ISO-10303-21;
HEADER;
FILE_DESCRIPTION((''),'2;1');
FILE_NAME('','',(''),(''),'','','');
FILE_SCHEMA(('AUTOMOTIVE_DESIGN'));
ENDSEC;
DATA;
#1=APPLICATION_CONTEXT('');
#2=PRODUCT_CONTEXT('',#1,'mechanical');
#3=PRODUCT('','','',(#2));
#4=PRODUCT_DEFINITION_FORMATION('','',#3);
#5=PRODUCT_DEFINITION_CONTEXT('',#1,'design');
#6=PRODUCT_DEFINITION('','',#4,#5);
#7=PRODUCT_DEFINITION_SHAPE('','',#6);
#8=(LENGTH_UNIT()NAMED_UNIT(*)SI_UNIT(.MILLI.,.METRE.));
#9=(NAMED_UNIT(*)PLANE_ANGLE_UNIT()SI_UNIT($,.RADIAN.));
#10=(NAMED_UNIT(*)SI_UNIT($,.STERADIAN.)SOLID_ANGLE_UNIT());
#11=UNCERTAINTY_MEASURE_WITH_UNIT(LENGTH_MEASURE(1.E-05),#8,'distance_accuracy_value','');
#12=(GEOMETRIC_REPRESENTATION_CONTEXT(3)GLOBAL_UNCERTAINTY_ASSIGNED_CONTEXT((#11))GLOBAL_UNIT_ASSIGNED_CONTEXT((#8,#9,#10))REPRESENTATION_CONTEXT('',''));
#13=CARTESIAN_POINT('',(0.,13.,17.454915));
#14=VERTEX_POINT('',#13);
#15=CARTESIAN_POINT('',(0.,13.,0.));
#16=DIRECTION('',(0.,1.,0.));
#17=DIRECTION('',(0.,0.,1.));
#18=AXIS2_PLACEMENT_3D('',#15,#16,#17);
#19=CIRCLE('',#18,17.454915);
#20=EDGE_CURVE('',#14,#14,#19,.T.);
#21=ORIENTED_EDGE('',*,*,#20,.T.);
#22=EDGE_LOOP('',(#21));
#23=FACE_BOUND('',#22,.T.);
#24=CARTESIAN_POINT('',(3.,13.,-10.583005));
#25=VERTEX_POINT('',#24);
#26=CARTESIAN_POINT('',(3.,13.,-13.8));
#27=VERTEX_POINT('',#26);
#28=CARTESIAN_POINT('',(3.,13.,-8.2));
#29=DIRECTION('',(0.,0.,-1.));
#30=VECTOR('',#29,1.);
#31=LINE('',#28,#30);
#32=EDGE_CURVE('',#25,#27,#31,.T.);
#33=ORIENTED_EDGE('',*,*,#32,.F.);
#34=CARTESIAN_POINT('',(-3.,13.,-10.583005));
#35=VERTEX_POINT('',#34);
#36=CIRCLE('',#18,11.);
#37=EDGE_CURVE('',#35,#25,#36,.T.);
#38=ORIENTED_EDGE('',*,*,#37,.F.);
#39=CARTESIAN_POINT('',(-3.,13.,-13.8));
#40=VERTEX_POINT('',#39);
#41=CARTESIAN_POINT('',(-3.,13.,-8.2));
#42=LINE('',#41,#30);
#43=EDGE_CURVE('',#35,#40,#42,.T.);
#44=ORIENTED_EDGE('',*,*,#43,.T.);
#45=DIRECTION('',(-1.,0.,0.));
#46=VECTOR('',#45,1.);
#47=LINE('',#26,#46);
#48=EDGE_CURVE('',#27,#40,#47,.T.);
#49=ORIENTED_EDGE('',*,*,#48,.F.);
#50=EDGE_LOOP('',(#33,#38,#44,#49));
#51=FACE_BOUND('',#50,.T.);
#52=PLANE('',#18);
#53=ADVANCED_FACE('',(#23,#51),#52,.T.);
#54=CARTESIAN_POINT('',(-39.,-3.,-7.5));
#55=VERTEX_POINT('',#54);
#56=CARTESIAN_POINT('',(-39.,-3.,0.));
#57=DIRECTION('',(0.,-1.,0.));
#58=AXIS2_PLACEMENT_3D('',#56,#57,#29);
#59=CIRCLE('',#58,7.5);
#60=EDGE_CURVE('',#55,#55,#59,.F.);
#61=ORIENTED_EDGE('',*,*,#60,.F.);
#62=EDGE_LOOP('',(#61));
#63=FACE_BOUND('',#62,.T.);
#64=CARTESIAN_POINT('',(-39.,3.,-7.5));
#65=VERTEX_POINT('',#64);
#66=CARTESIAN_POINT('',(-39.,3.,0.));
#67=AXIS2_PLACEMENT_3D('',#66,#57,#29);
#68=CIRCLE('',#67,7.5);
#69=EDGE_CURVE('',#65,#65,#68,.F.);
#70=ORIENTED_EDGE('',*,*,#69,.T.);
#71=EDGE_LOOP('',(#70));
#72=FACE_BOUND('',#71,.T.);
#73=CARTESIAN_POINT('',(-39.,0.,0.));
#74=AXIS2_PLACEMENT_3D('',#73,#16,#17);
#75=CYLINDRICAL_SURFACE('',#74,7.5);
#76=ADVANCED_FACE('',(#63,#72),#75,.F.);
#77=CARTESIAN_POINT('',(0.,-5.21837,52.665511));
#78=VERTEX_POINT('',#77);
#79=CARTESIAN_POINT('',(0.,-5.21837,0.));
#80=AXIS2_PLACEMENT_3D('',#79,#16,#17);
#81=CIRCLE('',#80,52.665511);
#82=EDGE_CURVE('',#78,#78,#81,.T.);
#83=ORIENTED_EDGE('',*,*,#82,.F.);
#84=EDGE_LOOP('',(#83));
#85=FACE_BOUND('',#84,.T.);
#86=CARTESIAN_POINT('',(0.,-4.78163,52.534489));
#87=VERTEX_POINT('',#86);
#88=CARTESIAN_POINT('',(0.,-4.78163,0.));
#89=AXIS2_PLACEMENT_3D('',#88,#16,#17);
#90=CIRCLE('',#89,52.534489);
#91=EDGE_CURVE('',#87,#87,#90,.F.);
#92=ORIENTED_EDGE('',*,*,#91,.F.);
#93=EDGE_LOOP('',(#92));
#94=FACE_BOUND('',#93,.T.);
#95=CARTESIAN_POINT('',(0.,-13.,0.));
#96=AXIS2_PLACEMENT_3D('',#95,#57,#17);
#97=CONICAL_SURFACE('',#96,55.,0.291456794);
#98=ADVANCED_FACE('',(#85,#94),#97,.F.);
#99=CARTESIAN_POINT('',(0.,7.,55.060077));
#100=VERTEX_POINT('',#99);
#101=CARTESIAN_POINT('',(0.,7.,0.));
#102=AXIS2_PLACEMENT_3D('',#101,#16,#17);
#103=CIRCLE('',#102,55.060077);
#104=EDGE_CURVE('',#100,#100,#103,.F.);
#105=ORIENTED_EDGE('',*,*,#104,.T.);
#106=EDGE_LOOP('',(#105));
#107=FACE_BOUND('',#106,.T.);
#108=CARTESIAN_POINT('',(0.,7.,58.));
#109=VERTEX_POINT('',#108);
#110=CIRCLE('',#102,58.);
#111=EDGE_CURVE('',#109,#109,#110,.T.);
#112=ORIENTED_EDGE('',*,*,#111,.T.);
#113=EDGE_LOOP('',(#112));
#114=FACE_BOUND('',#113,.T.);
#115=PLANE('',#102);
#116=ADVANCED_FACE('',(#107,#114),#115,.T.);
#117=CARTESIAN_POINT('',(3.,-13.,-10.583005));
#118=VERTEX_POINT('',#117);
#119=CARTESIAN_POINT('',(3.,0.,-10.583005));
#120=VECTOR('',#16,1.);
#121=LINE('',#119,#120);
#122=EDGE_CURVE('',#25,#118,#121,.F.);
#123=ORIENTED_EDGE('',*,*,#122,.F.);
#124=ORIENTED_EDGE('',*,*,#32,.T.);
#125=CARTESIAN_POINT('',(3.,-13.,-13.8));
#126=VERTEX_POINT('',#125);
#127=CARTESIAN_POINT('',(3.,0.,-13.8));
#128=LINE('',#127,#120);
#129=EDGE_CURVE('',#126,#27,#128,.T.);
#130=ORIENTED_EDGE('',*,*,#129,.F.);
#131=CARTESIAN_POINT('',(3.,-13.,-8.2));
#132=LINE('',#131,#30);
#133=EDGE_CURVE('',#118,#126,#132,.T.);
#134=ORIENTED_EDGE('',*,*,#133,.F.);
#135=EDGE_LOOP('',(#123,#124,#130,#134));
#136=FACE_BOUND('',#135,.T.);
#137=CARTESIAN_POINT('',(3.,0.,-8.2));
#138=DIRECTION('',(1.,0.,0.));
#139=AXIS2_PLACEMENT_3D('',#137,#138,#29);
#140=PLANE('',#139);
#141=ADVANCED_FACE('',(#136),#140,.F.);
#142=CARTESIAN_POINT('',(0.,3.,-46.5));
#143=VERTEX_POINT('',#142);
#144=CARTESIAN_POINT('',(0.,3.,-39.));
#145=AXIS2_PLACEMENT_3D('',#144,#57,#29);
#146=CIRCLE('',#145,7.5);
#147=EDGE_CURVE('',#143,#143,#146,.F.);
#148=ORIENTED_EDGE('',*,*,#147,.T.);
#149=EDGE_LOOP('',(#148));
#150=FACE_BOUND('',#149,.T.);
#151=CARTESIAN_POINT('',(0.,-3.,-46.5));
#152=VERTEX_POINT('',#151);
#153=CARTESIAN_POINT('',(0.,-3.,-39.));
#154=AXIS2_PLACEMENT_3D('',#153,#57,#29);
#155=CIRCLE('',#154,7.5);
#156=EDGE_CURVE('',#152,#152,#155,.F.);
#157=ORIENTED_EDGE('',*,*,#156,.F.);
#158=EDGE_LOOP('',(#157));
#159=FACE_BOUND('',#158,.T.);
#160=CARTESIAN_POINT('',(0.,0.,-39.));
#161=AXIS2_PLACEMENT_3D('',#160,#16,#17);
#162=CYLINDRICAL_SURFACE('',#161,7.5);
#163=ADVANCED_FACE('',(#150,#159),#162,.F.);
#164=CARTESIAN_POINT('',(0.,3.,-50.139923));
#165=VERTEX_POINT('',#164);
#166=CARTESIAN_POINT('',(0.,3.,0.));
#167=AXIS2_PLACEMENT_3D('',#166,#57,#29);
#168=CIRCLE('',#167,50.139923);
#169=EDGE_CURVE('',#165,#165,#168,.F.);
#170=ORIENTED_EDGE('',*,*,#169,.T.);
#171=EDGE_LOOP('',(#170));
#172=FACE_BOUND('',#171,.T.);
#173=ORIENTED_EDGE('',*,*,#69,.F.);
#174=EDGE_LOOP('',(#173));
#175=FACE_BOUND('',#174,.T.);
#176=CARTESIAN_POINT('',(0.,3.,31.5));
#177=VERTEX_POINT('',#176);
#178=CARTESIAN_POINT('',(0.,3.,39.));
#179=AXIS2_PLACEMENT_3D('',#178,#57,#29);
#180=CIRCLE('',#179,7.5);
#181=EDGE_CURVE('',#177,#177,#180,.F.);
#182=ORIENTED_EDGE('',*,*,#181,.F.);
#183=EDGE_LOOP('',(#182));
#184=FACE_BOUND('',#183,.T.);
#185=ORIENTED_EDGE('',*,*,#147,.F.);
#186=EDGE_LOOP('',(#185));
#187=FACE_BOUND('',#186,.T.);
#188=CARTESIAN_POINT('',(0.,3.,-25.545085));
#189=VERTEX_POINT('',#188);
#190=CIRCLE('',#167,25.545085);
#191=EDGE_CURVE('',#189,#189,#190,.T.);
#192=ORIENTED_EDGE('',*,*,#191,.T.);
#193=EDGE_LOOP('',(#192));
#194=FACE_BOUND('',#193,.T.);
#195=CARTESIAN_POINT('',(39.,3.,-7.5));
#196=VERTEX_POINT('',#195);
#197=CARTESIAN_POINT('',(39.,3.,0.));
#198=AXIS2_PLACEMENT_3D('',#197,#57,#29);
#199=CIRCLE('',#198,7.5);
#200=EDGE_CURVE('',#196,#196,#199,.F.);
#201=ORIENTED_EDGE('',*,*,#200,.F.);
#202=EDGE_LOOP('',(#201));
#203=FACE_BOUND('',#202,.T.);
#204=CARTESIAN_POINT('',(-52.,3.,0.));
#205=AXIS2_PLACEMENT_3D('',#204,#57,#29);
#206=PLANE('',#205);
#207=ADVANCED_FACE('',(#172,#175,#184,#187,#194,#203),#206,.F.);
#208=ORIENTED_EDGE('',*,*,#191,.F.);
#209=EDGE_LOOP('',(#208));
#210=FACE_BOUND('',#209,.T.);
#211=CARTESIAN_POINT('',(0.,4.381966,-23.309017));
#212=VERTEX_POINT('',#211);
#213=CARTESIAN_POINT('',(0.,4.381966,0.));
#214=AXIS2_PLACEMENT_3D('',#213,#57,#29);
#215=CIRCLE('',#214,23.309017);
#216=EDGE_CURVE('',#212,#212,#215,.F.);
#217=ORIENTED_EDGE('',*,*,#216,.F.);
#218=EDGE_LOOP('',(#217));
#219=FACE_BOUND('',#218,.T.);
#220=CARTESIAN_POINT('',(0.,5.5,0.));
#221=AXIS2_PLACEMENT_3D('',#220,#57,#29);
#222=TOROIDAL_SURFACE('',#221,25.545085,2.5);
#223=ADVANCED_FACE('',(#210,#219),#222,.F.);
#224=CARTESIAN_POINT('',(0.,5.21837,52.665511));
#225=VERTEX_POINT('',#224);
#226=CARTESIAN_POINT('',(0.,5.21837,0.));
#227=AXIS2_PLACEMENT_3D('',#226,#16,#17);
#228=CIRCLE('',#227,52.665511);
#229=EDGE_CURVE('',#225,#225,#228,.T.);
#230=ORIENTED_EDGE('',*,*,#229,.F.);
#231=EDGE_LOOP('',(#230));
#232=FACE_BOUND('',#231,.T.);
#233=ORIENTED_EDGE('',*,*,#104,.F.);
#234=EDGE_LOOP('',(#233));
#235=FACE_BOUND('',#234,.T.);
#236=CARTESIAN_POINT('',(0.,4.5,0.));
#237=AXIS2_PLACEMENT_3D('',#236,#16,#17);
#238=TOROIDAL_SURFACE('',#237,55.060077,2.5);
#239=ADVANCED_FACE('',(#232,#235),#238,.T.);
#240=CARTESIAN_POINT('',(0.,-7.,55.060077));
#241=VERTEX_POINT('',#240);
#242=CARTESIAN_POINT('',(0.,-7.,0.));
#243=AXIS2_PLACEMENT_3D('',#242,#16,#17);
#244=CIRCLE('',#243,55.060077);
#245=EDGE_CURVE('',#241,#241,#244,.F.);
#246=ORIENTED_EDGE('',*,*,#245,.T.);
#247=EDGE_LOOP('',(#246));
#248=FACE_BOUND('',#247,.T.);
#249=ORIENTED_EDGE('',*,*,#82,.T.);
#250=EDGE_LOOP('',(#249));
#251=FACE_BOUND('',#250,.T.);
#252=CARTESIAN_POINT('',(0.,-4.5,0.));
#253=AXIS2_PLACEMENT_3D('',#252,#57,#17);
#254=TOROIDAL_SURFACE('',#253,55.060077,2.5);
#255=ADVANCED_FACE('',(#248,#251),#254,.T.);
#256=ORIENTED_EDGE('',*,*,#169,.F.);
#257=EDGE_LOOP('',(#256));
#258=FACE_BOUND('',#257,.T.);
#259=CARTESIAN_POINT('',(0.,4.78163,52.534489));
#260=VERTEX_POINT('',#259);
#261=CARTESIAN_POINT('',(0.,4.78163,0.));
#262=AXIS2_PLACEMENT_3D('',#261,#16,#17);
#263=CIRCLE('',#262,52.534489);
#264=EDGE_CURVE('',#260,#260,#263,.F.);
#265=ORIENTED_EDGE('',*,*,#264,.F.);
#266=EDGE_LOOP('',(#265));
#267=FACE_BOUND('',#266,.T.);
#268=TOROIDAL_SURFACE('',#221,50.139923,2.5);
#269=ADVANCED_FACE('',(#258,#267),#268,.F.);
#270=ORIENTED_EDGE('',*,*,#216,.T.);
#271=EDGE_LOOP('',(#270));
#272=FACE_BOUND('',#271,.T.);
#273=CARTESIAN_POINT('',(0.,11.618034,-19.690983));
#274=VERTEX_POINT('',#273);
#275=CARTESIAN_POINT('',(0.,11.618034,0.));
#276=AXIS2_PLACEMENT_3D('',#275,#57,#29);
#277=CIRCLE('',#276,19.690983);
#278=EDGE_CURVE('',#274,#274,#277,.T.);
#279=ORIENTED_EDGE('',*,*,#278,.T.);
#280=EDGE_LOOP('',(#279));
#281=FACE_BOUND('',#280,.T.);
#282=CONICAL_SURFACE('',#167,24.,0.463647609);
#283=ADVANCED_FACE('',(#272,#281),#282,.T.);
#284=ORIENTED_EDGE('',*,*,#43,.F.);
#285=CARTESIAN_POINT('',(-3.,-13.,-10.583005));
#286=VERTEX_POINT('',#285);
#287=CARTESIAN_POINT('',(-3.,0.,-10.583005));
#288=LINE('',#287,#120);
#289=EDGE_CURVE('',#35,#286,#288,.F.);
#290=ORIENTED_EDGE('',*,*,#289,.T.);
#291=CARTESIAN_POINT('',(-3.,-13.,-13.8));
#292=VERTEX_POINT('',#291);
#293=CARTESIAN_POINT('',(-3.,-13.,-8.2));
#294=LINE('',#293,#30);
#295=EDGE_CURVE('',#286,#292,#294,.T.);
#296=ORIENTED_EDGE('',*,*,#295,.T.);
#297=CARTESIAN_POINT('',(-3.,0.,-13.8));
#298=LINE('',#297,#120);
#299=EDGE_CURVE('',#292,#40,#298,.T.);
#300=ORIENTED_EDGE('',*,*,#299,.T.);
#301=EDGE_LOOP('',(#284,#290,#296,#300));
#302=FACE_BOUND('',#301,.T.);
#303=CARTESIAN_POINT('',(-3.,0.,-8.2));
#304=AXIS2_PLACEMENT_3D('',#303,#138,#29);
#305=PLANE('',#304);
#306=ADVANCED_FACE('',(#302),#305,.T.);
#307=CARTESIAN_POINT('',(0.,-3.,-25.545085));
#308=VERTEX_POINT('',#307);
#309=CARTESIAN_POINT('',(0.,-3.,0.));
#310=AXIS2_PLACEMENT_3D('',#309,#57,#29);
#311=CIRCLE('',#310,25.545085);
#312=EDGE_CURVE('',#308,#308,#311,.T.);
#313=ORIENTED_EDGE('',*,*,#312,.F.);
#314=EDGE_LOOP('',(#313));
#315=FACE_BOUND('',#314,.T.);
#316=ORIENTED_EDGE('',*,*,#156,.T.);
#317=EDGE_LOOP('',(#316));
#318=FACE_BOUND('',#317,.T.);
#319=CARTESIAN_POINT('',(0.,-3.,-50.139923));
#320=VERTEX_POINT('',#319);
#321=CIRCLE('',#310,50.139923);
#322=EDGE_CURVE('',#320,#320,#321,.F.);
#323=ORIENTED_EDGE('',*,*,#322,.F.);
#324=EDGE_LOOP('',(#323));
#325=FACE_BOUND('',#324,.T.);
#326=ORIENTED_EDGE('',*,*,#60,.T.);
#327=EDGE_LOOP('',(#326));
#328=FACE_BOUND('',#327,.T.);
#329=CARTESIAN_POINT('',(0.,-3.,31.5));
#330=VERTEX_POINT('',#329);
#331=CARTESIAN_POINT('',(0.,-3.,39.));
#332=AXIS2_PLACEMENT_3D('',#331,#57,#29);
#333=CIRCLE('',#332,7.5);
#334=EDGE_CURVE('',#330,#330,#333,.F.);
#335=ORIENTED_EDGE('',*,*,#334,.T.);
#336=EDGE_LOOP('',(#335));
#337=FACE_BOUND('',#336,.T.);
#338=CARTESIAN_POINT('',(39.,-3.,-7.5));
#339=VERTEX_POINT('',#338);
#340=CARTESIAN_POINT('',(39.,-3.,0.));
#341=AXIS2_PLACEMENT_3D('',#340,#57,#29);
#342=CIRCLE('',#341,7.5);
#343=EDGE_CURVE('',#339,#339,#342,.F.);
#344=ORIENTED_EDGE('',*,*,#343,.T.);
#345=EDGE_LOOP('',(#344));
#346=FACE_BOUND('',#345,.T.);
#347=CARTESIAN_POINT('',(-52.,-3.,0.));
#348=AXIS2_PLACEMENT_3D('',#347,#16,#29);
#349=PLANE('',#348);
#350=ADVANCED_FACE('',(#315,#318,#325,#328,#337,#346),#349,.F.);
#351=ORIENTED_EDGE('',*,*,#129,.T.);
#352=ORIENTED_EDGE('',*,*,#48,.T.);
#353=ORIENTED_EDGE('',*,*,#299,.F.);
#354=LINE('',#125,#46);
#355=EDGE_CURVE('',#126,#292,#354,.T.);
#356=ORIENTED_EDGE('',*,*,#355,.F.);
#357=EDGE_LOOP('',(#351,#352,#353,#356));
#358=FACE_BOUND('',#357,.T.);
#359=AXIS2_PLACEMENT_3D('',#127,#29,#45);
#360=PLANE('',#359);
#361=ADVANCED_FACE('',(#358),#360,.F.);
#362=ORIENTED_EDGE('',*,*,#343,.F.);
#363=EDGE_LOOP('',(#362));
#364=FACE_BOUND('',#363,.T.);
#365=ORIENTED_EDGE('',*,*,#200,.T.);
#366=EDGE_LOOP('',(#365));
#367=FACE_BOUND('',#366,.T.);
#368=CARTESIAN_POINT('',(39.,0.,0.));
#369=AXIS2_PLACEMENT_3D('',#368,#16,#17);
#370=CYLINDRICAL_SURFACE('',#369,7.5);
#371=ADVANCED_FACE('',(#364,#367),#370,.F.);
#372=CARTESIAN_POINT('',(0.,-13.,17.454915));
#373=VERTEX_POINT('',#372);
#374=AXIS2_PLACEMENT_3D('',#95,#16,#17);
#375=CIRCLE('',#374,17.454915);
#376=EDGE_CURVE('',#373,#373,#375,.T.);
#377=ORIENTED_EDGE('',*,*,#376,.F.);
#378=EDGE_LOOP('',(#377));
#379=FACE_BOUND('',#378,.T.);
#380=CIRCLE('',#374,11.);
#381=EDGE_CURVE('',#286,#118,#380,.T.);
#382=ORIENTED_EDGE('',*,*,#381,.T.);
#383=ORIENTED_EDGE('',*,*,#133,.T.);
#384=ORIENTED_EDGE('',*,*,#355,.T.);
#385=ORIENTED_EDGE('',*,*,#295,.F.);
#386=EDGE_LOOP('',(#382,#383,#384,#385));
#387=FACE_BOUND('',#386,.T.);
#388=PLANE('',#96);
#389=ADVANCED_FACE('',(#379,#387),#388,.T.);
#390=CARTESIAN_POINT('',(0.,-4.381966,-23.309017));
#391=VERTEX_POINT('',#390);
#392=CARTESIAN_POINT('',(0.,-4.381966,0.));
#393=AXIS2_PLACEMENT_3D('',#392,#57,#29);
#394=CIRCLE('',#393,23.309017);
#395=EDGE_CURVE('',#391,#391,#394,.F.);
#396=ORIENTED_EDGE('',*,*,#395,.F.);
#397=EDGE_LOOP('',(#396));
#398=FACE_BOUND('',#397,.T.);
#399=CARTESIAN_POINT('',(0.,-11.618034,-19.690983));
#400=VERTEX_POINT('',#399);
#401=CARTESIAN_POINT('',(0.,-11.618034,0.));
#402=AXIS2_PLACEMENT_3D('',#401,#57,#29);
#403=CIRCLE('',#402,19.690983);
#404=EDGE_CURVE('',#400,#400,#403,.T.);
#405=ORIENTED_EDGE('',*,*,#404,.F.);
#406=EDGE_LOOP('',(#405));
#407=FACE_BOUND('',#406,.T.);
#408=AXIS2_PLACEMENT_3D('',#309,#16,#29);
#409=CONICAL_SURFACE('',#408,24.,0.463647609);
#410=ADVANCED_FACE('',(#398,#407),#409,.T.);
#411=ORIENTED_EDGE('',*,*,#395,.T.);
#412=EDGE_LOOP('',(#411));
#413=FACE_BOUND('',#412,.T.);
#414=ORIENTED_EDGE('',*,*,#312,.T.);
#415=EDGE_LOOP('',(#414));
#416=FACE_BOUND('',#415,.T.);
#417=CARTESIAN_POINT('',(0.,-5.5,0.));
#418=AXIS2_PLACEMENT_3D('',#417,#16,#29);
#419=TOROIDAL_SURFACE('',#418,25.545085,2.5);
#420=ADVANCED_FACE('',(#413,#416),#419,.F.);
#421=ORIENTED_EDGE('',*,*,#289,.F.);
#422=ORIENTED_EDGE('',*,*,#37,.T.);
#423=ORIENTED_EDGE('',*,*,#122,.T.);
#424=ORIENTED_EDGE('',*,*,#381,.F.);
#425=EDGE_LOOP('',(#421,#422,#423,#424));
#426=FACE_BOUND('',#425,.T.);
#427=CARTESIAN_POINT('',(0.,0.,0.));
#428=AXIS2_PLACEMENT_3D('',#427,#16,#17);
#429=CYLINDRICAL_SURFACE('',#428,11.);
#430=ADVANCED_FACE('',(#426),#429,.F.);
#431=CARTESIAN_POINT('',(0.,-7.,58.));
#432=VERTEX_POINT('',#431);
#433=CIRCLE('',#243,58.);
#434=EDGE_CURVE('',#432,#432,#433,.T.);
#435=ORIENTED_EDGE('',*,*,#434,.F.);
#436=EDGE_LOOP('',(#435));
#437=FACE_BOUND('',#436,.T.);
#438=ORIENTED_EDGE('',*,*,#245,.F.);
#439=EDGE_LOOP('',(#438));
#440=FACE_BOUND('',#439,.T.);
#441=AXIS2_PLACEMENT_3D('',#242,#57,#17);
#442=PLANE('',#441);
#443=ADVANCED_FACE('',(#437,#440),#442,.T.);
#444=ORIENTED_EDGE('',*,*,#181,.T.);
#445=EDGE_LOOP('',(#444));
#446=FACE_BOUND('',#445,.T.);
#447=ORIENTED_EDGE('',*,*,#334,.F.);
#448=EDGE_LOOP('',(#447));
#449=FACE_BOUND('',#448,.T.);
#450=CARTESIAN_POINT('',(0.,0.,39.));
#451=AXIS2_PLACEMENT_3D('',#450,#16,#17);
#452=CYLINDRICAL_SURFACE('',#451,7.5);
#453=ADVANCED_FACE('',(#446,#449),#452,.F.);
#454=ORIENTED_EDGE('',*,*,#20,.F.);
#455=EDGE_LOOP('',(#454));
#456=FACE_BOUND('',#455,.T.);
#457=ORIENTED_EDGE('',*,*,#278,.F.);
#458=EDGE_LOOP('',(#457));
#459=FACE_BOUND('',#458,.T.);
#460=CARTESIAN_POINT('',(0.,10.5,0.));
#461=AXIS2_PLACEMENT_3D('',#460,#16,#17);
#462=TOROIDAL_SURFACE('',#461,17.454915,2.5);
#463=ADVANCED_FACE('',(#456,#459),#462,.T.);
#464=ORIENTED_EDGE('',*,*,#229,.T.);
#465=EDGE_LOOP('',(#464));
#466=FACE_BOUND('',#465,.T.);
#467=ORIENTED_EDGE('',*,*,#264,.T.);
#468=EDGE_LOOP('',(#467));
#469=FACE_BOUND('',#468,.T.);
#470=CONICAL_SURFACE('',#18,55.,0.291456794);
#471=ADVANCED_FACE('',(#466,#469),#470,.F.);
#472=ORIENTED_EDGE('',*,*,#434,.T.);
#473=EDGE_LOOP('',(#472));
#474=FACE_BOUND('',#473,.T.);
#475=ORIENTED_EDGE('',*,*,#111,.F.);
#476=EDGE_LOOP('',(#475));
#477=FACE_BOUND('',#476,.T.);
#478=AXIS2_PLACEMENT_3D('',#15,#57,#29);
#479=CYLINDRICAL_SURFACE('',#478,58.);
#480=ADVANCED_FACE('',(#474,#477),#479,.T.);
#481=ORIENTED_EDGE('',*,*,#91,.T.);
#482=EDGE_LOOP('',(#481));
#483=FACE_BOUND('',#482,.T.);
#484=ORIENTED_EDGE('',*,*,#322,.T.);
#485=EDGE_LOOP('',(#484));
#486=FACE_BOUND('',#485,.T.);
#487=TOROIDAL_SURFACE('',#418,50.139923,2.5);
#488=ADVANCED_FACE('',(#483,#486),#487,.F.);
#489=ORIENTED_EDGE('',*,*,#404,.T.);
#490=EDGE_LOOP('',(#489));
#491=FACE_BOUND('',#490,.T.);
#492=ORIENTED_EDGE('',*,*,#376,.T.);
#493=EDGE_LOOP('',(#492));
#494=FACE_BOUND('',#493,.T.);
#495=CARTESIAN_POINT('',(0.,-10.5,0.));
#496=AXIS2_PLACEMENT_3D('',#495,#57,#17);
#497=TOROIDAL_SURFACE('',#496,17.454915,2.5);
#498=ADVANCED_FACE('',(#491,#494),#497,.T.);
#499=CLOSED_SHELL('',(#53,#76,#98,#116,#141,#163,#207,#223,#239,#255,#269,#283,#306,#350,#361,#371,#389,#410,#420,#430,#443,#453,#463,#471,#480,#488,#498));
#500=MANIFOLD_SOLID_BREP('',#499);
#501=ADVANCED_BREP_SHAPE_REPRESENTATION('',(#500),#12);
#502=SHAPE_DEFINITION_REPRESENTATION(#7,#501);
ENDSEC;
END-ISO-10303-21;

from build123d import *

# Parameters (mm, degrees)
SKETCH1_R           = 58
BOSS_EXTRUDE1_DEPTH = 13
SKETCH3_R           = 11
CUT_EXTRUDE1_DEPTH  = 14
SKETCH5_R           = 7.5
CUT_EXTRUDE2_DEPTH  = 14
SKETCH15_W          = 6
SKETCH15_H          = 5.6
CUT_EXTRUDE5_DEPTH  = 14
SKETCH16_R          = 60
SKETCH16_R_2        = 40
CUT_EXTRUDE6_DEPTH  = 6
FILLET1_R           = 2.5


with BuildPart() as part:
    # Sketch1 → Boss-Extrude1 (new body)
    with BuildSketch(Plane(origin=(0, 0, 0), x_dir=(1, 0, 0), z_dir=(0, 1, 0))):
        Circle(SKETCH1_R)
    extrude(amount=BOSS_EXTRUDE1_DEPTH)

    # Sketch3 → Cut-Extrude1 (cut, through all)
    with BuildSketch(Plane(origin=(0, 13, 0), x_dir=(1, 0, 0), z_dir=(0, 1, 0))):
        Circle(SKETCH3_R)
    extrude(amount=-CUT_EXTRUDE1_DEPTH, mode=Mode.SUBTRACT)

    # Sketch5 → Cut-Extrude2 (cut, through all)
    with BuildSketch(Plane(origin=(0, 13, 0), x_dir=(1, 0, 0), z_dir=(0, 1, 0))):
        with Locations((0, 39)):
            Circle(SKETCH5_R)
        with Locations((39, 0)):
            Circle(SKETCH5_R)
        with Locations((0, -39)):
            Circle(SKETCH5_R)
        with Locations((-39, 0)):
            Circle(SKETCH5_R)
    extrude(amount=-CUT_EXTRUDE2_DEPTH, mode=Mode.SUBTRACT)

    # Sketch14 → Cut-Revolve2 (revolve, cut)
    with BuildSketch(Plane.XY):
        Polygon((-52, 3), (-24, 3), (-19, 13), (-55, 13), align=None)
    revolve(axis=Axis((0, 14.3, 0), (0, -1, 0)), mode=Mode.SUBTRACT)

    # Sketch15 → Cut-Extrude5 (cut, through all)
    with BuildSketch(Plane(origin=(0, 13, 0), x_dir=(1, 0, 0), z_dir=(0, 1, 0))):
        with Locations((0, 11)):
            Rectangle(SKETCH15_W, SKETCH15_H)
    extrude(amount=-CUT_EXTRUDE5_DEPTH, mode=Mode.SUBTRACT)

    # Sketch16 → Cut-Extrude6 (cut)
    with BuildSketch(Plane(origin=(0, 13, 0), x_dir=(1, 0, 0), z_dir=(0, 1, 0))):
        Circle(SKETCH16_R)
        Circle(SKETCH16_R_2, mode=Mode.SUBTRACT)
    extrude(amount=-CUT_EXTRUDE6_DEPTH, mode=Mode.SUBTRACT)

    # Fillet1
    fillet1_edges = [part.edges().sort_by_distance(p)[0] for p in [
        (24, 3, 0),
        (52, 3, 0),
        (19, 13, 0),
        (53.2, 7, 0),
    ]]
    fillet(fillet1_edges, radius=FILLET1_R)

    # Mirror3: part across plane


with BuildPart() as part_1:
    add(part.part)
    add(part.part.mirror(Plane.ZX))


solid = part_1.part
